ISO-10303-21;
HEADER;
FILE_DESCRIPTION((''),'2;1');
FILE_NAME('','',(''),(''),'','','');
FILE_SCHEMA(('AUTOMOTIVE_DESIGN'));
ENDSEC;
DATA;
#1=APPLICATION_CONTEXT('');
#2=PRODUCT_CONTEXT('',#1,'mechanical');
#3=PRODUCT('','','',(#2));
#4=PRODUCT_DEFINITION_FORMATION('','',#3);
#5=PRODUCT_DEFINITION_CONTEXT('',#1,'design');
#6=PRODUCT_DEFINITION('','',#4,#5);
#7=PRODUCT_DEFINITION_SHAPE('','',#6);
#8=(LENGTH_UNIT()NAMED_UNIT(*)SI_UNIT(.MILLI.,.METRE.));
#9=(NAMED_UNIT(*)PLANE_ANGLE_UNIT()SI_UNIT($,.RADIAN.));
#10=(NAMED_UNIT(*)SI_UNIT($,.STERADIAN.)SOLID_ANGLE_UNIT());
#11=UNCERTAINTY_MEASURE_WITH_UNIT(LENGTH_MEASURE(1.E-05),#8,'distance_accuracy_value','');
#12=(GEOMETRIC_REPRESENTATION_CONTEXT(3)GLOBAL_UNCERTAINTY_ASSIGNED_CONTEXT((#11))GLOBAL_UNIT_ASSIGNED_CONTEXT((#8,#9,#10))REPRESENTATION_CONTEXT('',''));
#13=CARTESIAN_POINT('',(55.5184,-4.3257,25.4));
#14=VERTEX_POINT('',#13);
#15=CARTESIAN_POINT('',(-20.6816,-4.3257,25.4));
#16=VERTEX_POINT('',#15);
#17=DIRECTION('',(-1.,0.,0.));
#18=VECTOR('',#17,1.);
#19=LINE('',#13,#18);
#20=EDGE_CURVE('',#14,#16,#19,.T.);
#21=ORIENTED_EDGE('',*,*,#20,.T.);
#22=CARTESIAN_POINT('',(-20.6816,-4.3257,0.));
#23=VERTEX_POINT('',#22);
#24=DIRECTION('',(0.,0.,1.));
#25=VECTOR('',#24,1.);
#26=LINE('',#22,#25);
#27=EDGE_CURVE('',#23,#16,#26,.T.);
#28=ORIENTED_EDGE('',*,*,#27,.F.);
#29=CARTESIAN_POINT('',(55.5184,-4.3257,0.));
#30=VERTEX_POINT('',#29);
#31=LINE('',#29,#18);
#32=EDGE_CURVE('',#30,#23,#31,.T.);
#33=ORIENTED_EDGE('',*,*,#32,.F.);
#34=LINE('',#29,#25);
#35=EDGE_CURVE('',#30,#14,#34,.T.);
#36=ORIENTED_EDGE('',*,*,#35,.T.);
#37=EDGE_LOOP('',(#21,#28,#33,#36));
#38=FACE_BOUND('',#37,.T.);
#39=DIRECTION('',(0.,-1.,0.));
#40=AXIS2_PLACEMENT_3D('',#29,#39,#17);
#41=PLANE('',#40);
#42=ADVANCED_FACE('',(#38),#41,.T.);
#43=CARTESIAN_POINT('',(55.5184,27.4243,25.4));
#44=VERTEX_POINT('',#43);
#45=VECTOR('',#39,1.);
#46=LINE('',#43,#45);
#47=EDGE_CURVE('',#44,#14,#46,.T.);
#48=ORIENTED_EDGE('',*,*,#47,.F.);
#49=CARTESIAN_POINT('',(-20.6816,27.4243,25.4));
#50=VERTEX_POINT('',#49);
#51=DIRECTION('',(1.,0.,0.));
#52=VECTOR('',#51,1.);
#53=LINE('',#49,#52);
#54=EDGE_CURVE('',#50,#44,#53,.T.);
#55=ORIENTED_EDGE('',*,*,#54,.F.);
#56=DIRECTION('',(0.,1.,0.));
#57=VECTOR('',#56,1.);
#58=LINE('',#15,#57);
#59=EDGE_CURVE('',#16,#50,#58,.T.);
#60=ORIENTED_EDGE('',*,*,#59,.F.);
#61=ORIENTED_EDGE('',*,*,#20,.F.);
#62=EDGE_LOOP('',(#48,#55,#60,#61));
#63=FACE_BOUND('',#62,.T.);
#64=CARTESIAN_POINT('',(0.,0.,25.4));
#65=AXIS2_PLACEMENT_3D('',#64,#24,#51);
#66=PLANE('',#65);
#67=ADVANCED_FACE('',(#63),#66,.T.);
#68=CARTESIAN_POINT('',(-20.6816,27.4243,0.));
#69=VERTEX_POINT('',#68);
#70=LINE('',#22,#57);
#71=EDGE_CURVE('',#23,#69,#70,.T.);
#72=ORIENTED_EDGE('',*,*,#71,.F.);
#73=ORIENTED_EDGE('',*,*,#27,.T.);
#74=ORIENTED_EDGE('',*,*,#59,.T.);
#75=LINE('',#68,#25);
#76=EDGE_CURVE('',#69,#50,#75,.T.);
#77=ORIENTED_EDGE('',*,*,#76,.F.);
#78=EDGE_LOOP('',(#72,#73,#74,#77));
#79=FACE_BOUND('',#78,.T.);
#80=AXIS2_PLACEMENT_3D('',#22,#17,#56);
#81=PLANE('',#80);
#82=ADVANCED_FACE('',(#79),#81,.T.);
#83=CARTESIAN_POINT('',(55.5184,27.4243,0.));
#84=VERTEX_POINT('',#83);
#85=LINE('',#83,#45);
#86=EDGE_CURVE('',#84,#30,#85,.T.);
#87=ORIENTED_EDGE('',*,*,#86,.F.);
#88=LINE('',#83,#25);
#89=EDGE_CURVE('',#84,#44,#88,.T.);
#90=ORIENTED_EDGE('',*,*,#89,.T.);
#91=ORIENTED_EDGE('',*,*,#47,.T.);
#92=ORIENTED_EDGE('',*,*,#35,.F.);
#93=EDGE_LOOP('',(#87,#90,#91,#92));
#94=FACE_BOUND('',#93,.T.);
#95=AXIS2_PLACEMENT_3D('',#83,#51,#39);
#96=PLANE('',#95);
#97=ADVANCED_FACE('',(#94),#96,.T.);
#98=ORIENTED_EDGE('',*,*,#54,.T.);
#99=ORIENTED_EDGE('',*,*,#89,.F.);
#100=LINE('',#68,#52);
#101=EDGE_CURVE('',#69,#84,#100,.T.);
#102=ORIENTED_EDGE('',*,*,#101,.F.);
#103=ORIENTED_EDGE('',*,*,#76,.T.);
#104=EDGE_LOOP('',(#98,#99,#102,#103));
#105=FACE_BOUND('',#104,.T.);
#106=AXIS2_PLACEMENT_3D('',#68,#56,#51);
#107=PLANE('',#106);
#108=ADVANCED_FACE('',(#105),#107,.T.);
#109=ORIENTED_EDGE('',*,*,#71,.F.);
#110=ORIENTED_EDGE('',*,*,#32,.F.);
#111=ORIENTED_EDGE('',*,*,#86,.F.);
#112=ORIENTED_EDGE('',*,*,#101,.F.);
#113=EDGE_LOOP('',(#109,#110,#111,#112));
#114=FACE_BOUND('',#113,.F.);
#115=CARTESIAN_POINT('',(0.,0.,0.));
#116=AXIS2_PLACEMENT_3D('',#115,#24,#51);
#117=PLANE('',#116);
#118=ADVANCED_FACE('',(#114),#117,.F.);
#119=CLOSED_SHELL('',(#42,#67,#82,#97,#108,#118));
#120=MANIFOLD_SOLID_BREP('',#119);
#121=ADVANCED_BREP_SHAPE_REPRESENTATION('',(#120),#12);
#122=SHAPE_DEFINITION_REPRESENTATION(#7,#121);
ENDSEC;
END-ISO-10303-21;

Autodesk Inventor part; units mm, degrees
ref_plane "YZ Plane" through (0, 0, 0) normal (1, 0, 0) x (0, 1, 0)
ref_plane "XZ Plane" through (0, 0, 0) normal (0, 1, 0) x (-1, 0, 0)
ref_plane "XY Plane" through (0, 0, 0) normal (0, 0, 1) x (1, 0, 0)
sketch "Sketch1" plane through (0, 0, 0) normal (0, 0, 1) x (1, 0, 0)
  line L0 (-20.6816, 27.4243) -> (55.5184, 27.4243)
  line L1 (55.5184, 27.4243) -> (55.5184, -4.3257)
  line L2 (55.5184, -4.3257) -> (-20.6816, -4.3257)
  line L3 (-20.6816, -4.3257) -> (-20.6816, 27.4243)
  point P0 (0, 0)
  dimension "d0" = 76.2
  dimension "d1" = 31.75
extrude "Extrusion1" add sketch "Sketch1" along normal blind 25.4
properties part number "3 x1"
